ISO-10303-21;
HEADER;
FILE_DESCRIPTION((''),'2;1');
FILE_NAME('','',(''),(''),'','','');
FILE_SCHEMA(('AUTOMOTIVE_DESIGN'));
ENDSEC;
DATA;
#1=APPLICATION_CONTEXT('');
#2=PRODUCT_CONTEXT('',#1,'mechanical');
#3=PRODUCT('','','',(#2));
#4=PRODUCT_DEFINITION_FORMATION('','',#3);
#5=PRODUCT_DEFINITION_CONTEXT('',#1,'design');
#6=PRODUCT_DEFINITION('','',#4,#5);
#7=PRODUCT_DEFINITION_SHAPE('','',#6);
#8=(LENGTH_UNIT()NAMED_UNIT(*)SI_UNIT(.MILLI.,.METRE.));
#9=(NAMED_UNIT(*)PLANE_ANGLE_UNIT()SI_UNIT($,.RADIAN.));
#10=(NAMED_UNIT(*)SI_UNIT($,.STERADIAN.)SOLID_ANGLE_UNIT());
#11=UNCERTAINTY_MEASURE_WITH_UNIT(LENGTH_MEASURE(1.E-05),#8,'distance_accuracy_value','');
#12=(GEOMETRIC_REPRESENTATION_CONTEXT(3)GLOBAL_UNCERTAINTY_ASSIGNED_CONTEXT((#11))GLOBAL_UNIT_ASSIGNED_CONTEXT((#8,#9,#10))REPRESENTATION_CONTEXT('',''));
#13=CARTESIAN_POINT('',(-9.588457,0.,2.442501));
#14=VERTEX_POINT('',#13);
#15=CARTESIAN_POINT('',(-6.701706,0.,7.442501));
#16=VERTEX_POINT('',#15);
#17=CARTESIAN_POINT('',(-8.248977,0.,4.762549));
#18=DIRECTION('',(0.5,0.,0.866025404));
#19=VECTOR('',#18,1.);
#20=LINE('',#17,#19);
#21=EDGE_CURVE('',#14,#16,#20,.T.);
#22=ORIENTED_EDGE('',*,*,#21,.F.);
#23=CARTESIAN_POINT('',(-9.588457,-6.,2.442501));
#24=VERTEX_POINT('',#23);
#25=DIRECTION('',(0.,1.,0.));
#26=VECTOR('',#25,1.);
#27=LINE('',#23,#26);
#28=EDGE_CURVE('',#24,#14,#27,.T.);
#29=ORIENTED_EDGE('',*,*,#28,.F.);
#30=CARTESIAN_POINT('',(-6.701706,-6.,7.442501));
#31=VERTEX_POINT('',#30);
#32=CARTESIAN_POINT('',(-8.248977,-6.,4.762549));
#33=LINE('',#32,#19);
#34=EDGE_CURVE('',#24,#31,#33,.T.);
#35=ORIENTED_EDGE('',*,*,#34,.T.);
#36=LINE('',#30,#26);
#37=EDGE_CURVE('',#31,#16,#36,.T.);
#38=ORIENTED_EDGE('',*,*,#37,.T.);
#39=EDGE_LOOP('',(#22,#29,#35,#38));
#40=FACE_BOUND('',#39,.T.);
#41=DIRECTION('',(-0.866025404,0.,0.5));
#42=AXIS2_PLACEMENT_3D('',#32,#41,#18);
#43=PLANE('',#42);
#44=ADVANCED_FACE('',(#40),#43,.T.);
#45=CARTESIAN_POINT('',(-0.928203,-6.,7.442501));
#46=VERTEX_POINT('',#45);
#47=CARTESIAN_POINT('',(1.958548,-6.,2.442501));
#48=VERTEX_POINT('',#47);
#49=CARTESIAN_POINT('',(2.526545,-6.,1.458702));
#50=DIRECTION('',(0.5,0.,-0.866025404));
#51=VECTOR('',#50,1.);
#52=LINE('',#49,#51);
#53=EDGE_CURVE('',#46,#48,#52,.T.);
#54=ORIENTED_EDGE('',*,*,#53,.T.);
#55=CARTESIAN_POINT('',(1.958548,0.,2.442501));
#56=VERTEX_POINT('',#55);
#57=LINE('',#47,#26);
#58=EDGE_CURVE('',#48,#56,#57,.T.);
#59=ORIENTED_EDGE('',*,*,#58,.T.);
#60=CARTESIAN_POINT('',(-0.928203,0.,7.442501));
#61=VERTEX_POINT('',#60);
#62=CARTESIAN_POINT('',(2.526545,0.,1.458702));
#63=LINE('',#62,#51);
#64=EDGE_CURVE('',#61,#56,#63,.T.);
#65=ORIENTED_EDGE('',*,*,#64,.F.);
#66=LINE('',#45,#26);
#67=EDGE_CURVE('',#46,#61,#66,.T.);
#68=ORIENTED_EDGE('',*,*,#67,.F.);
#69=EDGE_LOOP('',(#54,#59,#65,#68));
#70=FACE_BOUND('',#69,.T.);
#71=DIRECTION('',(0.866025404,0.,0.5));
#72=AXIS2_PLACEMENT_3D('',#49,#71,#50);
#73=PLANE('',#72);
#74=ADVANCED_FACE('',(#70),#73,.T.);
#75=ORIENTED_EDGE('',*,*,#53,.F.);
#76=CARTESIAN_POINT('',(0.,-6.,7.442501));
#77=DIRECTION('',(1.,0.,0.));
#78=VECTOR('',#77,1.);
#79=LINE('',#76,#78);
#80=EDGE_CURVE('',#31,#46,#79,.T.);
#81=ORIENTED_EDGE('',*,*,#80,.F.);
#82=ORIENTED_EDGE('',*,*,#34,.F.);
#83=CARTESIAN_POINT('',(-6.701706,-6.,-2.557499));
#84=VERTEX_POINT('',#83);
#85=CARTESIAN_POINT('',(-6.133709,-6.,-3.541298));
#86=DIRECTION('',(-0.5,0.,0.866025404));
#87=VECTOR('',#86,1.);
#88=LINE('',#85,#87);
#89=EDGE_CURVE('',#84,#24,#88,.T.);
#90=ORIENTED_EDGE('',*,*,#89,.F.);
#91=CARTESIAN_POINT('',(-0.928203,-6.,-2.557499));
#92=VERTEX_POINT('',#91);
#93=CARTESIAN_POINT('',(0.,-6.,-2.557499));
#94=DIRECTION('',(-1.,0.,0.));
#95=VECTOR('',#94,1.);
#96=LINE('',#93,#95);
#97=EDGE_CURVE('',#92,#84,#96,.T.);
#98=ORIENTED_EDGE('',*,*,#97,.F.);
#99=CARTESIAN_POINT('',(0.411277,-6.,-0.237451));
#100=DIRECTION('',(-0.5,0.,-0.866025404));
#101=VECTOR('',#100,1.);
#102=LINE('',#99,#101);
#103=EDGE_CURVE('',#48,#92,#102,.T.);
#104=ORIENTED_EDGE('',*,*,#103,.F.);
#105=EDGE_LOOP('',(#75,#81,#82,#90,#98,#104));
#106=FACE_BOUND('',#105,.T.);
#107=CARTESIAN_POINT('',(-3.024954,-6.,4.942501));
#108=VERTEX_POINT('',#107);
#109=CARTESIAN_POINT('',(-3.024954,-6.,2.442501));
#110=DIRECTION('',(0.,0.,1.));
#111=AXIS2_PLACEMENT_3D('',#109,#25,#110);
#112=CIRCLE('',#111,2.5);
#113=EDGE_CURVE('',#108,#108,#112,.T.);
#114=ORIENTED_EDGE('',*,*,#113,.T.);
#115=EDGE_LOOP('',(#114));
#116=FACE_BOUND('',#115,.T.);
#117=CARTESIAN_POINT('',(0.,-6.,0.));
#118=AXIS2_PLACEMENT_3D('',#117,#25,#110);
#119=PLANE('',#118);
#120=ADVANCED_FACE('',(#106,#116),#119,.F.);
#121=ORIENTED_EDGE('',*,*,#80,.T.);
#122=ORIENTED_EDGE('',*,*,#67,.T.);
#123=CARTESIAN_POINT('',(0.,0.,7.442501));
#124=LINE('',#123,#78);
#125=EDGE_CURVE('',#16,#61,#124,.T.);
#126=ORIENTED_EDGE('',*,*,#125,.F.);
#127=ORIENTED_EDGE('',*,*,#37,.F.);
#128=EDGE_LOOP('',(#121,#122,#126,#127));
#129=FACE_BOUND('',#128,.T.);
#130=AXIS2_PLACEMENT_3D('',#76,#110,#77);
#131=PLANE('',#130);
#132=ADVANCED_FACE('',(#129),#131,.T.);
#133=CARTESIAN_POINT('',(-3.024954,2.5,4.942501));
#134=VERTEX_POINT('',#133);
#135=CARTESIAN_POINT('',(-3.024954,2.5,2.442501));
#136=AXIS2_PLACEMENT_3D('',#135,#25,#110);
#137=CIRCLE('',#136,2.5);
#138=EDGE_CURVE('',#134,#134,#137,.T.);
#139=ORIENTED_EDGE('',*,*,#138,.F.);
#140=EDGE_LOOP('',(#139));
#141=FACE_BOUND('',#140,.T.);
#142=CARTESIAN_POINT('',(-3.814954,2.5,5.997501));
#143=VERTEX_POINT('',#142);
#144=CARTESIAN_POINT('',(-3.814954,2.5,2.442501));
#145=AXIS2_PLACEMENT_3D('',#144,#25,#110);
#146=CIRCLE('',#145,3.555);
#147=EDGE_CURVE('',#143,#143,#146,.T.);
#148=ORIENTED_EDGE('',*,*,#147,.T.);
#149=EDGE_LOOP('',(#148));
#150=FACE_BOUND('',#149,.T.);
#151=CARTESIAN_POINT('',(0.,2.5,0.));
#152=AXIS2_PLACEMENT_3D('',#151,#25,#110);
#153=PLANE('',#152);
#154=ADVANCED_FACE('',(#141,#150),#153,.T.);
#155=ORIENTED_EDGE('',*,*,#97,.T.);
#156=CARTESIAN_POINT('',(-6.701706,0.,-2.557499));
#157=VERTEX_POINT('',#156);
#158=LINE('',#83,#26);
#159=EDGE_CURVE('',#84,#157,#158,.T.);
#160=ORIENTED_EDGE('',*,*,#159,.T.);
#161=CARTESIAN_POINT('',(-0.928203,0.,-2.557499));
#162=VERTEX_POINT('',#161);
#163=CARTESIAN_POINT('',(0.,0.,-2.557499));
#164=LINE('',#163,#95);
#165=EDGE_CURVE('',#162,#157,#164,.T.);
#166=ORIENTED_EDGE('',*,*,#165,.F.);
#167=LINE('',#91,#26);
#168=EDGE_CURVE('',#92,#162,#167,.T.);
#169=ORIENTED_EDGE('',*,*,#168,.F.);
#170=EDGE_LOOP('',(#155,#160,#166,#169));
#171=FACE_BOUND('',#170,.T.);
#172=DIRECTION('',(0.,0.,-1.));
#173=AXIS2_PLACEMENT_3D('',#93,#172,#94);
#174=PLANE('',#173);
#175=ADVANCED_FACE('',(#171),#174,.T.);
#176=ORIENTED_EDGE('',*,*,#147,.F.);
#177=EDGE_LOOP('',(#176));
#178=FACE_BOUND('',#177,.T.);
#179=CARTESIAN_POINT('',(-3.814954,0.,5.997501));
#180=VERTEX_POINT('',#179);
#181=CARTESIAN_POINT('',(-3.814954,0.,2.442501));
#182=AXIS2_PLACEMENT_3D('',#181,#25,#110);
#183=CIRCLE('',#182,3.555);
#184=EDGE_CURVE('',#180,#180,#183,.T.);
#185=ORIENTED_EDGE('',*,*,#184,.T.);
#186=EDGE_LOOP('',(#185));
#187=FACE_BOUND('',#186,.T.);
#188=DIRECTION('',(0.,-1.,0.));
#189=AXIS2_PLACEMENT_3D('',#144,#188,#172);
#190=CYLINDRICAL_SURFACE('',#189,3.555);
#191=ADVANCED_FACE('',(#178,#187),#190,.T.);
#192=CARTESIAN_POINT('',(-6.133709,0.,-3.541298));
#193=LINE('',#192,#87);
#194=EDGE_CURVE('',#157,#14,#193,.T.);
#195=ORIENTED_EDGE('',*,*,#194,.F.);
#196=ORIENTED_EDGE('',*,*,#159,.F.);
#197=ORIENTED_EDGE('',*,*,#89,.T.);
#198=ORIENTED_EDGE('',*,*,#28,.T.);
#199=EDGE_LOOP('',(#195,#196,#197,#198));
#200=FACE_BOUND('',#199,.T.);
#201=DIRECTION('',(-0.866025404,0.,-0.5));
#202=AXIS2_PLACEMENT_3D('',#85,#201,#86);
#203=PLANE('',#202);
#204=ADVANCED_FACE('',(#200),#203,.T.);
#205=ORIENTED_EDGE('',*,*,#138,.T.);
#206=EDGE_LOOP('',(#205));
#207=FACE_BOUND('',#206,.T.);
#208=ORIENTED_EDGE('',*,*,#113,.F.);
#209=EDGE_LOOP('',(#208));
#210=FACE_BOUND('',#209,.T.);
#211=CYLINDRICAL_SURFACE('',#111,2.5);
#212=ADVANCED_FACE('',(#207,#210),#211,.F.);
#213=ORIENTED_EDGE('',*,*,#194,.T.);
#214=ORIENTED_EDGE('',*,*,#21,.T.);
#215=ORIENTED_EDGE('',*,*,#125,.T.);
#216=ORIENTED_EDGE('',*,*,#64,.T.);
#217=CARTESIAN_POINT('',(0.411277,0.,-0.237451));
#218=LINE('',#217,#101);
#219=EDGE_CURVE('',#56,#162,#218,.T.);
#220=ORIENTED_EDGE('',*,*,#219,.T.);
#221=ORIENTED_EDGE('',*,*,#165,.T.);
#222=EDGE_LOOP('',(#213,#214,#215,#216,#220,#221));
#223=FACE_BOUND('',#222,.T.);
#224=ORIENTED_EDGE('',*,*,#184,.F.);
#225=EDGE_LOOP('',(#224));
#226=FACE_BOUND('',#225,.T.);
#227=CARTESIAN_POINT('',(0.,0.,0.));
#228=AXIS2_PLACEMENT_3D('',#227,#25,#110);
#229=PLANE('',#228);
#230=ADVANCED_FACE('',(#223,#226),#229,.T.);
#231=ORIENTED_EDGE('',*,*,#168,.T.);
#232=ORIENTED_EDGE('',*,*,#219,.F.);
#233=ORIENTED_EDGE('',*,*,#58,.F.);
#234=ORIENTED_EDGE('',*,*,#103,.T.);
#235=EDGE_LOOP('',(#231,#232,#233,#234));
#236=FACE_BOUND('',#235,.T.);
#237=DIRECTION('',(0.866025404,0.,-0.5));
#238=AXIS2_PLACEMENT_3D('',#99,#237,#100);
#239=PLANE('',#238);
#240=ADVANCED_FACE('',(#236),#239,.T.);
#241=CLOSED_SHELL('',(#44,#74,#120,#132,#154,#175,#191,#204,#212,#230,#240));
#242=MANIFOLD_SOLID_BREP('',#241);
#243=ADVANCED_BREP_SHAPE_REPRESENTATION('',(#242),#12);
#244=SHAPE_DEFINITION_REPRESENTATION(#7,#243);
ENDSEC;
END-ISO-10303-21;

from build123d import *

# Parameters (mm, degrees)
SKETCH_1_R      = 2.5
EXTRUDE_1_DEPTH = 6
EXTRUDE_START   = 2.5
SKETCH_1_3_R    = 3.555
SKETCH_1_3_R_2  = 2.5
EXTRUDE_2_DEPTH = 2.5


with BuildPart() as part:
    # Эскиз1 → Бобышка-Вытянуть1 (new body)
    with BuildSketch(Plane(origin=(0, 0, 0), x_dir=(1, 0, 0), z_dir=(0, 1, 0))):
        Polygon((1.958548395, -2.442501227), (-0.928202951, 2.557498773), (-6.701705643, 2.557498773), (-9.588456989, -2.442501227), (-6.701705643, -7.442501227), (-0.928202951, -7.442501227), align=None)
        with Locations((-3.024954297, -2.442501227)):
            Circle(SKETCH_1_R, mode=Mode.SUBTRACT)
    extrude(amount=-EXTRUDE_1_DEPTH)

    # Эскиз1<3> → Бобышка-Вытянуть2 (add)
    with BuildSketch(Plane(origin=(0, 0, 0), x_dir=(1, 0, 0), z_dir=(0, 1, 0)).offset(EXTRUDE_START)):
        with Locations((-3.814954297, -2.442501227)):
            Circle(SKETCH_1_3_R)
        with Locations((-3.024954297, -2.442501227)):
            Circle(SKETCH_1_3_R_2, mode=Mode.SUBTRACT)
    extrude(amount=-EXTRUDE_2_DEPTH)


solid = part.part
